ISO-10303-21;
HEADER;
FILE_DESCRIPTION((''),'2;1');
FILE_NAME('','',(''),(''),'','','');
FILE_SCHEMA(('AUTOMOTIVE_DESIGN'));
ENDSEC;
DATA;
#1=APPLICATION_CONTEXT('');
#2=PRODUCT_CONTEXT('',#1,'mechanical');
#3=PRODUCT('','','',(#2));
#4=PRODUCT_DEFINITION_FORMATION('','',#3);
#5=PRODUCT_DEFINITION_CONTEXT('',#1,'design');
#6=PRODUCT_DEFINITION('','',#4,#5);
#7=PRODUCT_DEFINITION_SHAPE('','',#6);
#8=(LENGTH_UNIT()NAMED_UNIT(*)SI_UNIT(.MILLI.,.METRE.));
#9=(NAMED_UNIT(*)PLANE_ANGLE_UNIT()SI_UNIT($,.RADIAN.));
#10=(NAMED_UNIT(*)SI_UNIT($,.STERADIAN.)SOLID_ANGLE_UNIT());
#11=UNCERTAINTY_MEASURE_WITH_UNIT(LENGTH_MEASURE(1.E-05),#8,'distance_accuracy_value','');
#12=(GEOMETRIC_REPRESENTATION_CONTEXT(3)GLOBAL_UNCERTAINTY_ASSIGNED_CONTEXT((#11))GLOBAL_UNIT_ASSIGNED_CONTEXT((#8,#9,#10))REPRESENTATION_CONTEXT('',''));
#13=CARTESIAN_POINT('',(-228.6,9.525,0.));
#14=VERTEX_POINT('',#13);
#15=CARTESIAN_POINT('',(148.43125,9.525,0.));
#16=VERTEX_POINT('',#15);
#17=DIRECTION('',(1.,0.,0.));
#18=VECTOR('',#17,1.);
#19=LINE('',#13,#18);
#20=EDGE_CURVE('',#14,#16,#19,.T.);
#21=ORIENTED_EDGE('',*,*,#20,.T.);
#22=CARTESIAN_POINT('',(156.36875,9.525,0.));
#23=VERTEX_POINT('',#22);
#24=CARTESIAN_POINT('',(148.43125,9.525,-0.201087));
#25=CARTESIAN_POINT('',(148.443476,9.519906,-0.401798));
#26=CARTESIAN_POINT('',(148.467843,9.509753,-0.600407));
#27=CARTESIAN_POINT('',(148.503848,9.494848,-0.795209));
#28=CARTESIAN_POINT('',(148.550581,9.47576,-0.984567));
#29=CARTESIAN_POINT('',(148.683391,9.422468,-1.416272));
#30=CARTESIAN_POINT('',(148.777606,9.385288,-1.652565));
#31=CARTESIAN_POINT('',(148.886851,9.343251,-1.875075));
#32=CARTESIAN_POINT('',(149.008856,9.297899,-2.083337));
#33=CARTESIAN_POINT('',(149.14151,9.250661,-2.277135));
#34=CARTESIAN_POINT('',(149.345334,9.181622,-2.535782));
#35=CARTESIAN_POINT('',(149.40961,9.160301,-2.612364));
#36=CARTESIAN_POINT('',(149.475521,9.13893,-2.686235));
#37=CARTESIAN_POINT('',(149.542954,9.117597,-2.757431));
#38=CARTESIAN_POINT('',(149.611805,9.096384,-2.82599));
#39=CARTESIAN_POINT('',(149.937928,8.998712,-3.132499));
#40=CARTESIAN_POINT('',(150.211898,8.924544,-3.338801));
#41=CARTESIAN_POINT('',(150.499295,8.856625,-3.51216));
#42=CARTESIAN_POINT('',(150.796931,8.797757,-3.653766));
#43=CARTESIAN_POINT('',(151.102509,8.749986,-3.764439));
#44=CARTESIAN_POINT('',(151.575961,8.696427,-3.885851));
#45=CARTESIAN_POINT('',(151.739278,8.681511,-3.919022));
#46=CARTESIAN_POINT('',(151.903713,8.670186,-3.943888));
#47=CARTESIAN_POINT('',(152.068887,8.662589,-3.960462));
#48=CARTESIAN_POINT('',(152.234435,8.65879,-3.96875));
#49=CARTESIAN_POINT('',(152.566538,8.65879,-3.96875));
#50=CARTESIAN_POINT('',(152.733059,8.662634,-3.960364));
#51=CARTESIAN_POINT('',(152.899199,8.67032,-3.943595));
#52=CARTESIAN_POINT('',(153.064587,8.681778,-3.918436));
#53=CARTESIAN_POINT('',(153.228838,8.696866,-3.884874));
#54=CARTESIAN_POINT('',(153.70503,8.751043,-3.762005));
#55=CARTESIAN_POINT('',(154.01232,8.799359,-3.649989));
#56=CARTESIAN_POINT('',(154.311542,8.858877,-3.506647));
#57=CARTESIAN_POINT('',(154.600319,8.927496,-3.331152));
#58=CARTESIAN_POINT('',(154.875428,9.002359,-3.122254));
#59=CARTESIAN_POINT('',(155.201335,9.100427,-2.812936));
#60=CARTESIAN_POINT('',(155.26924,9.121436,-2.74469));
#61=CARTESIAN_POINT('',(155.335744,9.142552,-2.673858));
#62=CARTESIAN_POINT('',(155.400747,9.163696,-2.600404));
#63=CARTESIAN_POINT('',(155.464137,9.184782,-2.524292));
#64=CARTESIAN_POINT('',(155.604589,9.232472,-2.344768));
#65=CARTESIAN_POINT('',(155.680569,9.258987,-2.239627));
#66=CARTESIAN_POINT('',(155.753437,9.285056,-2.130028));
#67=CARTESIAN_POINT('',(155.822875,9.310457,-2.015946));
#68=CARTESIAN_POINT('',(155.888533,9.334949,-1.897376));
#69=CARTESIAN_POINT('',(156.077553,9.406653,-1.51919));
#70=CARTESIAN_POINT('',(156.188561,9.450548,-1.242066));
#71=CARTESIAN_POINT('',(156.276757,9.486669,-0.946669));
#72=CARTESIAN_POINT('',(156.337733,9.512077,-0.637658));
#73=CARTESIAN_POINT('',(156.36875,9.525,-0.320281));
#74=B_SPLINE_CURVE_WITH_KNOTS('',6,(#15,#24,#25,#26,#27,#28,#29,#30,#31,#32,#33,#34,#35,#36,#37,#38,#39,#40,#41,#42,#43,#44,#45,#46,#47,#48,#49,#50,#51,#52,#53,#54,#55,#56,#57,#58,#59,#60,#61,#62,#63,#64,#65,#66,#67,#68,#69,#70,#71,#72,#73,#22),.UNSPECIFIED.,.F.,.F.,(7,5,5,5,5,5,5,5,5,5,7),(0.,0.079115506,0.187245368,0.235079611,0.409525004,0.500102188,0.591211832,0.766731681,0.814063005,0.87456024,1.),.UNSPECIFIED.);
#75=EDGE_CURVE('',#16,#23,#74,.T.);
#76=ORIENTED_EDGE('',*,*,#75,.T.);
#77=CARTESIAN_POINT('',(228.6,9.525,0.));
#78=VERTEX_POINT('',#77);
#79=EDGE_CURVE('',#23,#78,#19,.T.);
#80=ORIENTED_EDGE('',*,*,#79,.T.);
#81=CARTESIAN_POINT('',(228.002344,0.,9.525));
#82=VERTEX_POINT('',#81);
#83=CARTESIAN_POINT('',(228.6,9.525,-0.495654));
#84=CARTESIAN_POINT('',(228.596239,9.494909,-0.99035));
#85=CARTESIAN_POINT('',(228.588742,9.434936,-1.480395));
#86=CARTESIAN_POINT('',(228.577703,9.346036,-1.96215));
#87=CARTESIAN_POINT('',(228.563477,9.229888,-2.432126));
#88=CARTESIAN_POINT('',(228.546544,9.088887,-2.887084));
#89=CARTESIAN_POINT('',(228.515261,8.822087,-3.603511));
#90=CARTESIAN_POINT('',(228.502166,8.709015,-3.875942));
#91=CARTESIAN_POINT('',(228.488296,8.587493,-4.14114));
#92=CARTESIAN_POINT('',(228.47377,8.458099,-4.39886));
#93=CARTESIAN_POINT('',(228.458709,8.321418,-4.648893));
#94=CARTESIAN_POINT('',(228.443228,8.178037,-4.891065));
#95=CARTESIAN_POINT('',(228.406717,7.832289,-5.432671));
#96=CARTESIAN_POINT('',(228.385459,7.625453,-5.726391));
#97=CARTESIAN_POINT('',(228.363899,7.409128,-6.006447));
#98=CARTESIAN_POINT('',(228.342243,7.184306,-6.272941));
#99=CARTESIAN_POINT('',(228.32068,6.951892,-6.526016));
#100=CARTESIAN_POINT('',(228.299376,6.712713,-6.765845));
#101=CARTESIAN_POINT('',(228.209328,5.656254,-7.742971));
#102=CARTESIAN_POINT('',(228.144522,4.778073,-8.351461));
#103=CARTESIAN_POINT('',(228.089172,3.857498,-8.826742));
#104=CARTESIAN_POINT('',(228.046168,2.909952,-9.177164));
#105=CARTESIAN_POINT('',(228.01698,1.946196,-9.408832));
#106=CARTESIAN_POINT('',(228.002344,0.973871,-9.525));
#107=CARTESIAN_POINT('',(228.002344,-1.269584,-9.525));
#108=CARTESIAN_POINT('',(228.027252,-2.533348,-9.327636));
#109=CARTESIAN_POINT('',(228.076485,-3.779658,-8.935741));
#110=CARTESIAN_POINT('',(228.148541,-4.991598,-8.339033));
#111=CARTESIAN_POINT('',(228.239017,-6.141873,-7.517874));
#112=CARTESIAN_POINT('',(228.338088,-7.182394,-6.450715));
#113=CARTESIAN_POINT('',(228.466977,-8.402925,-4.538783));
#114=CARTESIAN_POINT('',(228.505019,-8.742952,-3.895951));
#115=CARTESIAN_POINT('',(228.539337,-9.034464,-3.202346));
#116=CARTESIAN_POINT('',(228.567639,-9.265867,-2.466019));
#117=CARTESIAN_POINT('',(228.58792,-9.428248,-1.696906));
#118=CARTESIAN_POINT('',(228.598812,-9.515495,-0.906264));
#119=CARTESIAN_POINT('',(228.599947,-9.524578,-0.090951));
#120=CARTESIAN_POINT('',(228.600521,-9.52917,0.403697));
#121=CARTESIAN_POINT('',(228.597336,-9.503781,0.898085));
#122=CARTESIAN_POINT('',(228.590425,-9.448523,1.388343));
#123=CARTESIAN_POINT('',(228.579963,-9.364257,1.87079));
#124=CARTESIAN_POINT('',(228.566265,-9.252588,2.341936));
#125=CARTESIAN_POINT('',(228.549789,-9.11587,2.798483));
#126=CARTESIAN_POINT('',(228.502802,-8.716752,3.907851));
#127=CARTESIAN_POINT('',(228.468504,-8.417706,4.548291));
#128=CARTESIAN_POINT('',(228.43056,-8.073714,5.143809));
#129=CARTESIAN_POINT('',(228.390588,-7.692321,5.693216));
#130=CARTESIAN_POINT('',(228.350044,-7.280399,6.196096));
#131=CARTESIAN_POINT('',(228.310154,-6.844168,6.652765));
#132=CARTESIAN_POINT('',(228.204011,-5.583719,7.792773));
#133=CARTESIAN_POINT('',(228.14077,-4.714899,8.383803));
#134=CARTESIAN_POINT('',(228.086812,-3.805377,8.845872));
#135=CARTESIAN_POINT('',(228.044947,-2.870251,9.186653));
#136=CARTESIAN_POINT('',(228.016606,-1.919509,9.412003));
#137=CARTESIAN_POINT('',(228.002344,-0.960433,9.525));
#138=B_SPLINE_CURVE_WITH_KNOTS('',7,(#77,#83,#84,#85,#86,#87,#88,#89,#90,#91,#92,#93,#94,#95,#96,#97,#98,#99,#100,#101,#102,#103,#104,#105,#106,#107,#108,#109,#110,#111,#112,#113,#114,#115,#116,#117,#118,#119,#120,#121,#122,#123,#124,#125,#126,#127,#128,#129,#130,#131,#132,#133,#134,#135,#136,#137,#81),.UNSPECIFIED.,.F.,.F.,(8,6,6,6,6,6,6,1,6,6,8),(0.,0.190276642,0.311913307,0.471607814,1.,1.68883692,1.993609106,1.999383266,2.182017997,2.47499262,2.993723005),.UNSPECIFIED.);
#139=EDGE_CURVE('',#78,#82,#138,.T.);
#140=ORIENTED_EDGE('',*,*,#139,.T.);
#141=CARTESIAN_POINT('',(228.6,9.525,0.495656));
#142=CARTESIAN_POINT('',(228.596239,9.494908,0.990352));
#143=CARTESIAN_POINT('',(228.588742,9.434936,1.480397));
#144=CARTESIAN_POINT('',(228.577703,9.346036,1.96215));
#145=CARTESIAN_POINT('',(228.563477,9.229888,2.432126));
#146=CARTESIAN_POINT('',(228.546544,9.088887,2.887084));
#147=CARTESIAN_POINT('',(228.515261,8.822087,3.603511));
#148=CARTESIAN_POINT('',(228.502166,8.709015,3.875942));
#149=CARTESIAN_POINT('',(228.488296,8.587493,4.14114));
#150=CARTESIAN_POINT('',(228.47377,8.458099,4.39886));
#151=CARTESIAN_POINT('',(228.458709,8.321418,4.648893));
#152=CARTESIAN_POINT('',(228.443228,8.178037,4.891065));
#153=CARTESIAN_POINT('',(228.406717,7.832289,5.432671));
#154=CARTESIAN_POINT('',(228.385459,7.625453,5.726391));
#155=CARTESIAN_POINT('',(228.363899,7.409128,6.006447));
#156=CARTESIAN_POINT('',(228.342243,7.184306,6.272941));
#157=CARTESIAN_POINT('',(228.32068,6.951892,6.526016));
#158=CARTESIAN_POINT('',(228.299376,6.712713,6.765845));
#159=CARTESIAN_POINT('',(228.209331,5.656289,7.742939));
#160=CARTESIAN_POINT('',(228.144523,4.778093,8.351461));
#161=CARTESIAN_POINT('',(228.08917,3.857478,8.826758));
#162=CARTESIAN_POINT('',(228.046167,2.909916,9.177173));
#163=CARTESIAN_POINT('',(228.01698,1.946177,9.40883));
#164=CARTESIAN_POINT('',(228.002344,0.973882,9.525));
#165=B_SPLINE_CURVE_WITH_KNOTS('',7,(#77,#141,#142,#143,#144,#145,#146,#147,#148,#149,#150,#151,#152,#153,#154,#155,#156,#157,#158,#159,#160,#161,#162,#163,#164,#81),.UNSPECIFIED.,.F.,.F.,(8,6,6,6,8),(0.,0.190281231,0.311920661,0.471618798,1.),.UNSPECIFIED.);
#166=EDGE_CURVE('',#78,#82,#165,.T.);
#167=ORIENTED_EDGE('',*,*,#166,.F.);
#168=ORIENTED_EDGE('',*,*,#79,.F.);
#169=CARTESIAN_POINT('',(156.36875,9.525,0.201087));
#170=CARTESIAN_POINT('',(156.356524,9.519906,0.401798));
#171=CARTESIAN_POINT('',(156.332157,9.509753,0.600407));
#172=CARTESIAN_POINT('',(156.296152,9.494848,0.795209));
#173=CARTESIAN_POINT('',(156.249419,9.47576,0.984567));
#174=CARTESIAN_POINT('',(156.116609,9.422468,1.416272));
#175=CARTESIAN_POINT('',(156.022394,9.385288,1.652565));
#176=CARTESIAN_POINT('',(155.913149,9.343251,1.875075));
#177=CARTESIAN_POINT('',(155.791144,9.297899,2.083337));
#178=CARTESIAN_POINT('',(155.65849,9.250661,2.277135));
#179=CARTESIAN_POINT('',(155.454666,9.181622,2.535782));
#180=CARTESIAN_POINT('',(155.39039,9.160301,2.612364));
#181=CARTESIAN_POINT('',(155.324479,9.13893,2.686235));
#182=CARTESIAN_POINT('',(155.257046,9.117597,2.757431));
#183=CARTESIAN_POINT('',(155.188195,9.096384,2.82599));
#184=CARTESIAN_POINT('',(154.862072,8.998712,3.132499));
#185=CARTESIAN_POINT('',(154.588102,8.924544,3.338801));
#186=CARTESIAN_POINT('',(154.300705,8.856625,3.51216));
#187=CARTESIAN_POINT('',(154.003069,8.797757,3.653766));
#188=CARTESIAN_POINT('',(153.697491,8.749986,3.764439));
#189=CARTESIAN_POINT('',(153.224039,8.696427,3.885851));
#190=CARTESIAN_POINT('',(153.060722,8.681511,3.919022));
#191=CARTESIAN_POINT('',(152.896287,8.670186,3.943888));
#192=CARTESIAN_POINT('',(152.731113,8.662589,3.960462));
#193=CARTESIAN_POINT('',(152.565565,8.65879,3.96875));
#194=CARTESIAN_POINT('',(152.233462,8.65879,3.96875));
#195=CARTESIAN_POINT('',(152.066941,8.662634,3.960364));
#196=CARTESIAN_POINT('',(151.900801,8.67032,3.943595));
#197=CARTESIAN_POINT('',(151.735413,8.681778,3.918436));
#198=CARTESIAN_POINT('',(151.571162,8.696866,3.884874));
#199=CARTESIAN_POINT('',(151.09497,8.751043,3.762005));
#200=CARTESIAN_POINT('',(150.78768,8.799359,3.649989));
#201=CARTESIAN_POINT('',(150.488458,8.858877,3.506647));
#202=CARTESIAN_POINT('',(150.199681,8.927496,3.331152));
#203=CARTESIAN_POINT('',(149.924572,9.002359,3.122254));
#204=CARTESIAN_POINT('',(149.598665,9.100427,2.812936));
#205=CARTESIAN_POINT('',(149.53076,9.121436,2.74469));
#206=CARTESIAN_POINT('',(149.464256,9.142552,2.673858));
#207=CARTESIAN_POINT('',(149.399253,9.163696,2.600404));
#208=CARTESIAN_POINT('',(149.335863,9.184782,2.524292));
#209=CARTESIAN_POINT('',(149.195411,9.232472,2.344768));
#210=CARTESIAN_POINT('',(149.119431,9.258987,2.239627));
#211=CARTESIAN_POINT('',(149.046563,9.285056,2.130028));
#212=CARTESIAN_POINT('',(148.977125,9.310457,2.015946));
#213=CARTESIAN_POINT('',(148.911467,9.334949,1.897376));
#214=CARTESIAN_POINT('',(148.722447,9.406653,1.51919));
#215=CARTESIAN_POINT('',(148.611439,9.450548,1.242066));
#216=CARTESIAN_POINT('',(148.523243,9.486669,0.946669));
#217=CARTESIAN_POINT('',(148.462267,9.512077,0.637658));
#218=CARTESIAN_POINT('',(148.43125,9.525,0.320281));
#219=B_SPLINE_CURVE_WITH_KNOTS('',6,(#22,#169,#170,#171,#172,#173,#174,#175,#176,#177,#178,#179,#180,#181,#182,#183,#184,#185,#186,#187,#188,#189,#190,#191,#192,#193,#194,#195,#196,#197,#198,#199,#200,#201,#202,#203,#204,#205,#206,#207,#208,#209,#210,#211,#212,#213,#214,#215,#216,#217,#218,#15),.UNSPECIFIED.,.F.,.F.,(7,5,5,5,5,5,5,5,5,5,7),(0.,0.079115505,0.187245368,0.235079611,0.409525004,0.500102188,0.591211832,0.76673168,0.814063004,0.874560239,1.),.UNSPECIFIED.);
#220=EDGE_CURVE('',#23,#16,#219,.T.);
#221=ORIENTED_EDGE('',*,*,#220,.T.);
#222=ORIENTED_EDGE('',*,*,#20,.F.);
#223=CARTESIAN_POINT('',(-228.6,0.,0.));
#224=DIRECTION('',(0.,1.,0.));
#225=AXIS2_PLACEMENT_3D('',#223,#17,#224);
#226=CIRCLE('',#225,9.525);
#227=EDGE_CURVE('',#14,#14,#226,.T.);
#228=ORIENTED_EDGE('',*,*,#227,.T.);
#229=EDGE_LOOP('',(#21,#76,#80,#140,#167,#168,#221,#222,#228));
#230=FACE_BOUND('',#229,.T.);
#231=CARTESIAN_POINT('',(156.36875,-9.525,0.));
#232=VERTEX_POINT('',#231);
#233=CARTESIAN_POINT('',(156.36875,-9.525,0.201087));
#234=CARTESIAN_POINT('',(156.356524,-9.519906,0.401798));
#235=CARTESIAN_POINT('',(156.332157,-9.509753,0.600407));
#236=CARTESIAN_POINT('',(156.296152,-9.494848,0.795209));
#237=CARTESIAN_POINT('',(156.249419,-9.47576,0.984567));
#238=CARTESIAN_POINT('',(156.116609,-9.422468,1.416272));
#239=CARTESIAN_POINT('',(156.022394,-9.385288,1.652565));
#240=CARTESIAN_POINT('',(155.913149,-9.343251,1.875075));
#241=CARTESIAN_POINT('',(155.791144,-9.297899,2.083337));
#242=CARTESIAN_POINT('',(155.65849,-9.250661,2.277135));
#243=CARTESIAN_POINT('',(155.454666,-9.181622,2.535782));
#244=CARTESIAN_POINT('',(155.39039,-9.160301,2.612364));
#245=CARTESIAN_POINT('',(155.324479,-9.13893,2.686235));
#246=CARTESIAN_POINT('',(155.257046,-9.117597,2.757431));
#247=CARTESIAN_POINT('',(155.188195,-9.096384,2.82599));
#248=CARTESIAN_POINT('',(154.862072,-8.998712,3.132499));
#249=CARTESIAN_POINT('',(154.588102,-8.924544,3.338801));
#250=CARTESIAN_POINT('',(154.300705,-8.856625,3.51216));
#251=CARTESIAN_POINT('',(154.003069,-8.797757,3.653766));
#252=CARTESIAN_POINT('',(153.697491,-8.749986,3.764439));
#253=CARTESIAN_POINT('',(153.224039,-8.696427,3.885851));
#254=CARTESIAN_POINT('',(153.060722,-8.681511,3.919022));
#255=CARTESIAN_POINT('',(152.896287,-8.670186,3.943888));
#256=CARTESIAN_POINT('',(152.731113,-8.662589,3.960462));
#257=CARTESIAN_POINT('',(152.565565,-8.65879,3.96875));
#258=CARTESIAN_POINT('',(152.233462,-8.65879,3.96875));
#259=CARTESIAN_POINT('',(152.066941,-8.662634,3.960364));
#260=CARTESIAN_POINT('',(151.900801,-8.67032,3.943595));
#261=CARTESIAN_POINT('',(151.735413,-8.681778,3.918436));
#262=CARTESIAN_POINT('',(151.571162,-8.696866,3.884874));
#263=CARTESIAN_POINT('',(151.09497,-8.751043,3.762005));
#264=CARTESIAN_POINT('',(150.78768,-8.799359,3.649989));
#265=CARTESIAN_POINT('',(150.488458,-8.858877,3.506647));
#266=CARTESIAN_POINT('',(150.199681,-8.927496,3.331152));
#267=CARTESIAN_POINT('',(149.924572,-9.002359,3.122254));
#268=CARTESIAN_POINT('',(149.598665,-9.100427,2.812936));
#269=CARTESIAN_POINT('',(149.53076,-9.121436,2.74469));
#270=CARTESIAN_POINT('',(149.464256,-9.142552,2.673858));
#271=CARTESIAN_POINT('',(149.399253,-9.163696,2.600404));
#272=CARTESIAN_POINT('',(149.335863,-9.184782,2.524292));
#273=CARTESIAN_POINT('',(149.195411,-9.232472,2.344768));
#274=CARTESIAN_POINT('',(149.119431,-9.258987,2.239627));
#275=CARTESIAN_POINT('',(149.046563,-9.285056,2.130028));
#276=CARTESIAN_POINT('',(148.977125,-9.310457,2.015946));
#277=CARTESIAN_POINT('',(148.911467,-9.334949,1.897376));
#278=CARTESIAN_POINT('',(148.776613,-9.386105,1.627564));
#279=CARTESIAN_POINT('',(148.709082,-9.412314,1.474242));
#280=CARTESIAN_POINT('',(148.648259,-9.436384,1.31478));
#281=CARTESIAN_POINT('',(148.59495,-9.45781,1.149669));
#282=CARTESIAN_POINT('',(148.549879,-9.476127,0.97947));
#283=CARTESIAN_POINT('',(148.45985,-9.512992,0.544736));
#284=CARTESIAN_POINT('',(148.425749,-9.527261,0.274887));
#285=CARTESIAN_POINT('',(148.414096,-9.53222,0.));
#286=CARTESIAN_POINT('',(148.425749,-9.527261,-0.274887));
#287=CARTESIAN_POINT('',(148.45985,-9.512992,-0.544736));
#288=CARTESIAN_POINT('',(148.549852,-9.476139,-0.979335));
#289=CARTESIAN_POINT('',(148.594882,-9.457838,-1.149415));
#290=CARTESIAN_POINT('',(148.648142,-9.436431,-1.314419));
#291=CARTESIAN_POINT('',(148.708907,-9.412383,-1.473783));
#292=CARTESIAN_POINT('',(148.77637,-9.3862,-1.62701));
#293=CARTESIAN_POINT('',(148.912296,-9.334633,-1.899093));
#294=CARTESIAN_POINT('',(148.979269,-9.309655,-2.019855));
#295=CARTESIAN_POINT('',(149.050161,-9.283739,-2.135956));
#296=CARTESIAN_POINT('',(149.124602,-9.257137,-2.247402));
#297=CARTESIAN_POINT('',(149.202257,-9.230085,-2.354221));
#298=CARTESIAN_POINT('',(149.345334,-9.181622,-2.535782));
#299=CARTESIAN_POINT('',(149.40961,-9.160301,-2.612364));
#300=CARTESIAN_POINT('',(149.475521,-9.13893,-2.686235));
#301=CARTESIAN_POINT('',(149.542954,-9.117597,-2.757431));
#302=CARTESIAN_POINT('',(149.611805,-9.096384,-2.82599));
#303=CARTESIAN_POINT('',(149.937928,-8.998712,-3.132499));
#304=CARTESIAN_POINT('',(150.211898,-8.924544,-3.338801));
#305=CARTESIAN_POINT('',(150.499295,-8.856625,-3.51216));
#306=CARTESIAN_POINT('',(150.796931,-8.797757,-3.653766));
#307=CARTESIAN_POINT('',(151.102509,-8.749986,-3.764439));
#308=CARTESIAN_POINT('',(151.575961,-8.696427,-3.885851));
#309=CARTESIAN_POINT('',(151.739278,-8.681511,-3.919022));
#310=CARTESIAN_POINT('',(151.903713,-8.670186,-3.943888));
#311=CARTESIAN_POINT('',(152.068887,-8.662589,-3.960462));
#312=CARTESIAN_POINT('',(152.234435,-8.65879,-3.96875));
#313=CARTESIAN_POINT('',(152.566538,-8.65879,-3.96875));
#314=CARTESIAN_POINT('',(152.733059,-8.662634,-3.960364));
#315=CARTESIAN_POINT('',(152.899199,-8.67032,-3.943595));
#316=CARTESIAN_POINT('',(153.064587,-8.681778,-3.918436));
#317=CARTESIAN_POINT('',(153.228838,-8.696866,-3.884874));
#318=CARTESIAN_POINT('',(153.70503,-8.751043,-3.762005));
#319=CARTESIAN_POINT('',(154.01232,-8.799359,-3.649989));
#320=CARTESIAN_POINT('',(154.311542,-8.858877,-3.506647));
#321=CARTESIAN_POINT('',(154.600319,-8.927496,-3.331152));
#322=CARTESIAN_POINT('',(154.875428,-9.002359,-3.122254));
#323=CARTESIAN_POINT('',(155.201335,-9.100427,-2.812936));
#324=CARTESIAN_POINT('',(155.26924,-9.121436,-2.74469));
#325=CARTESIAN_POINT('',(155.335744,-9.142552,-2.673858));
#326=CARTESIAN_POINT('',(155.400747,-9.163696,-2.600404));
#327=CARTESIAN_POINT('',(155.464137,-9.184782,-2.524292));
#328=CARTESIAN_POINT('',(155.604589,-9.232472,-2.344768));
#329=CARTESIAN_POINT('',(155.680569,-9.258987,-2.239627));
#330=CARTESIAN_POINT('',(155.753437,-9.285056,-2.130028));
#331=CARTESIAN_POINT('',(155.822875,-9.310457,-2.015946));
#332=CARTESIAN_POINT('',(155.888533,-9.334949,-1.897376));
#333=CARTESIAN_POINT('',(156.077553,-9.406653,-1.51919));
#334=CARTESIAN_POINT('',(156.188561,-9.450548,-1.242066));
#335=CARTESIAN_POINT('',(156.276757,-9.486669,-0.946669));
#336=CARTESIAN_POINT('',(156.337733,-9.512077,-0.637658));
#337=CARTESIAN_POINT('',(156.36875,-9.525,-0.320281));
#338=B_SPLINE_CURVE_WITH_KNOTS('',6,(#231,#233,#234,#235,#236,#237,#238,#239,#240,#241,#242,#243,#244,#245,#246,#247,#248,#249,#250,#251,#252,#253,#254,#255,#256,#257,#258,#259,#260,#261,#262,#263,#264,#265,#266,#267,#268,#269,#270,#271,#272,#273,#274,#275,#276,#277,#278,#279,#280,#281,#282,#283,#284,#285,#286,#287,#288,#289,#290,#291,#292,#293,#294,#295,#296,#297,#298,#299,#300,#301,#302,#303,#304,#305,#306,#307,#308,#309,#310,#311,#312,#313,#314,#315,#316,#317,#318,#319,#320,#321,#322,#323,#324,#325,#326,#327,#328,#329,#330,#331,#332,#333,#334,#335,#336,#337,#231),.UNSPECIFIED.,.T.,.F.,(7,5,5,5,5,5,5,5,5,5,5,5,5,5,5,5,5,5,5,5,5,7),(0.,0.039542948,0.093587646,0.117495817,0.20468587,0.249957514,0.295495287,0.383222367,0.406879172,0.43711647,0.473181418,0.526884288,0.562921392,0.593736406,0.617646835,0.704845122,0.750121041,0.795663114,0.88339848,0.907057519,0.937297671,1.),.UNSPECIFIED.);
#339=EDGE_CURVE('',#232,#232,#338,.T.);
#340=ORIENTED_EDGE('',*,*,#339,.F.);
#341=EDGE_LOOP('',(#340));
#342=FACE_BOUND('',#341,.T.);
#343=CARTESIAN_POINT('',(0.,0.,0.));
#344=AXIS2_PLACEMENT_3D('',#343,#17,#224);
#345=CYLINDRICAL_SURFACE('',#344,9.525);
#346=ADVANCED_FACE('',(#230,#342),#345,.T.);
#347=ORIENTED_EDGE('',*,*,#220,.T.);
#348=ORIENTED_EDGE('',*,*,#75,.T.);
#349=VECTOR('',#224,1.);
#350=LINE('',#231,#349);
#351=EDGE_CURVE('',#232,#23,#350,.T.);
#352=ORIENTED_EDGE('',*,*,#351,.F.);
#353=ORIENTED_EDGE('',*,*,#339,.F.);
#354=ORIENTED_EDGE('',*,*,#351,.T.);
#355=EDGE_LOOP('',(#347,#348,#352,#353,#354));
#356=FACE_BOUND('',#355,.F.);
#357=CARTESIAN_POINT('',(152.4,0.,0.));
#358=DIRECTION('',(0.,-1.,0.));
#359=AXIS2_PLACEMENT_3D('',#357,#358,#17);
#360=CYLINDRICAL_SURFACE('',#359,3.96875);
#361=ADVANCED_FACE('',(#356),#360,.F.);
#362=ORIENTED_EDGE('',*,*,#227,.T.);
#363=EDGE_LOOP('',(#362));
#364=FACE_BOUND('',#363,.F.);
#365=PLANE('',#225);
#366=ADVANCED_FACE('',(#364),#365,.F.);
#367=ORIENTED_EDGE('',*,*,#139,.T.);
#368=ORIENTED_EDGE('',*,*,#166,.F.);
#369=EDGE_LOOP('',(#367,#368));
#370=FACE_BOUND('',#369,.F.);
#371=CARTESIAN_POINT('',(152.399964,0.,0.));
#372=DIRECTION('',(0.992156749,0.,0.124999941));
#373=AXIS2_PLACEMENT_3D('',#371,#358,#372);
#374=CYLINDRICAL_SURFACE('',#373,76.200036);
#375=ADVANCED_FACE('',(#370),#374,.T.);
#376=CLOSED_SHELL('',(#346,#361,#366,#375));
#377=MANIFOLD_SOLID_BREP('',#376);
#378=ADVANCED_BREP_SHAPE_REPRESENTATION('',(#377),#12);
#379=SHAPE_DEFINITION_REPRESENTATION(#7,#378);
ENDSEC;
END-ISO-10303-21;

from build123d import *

# Parameters (mm, degrees)
F0_R     = 9.525
F1_DEPTH = 228.6
F2_R     = 3.96875
F3_DEPTH = 12.7


with BuildPart() as f1:
    # F0 (on Right) → F1 (new body, symmetric)
    with BuildSketch(Plane.YZ):
        Circle(F0_R)
    extrude(amount=F1_DEPTH, both=True)

    # F2 (on Front) → F3 (cut, symmetric)
    with BuildSketch(Plane.XZ):
        with Locations((152.4, 0)):
            Circle(F2_R)
        with BuildLine():
            ThreePointArc((228.002344, 9.525), (228.6, 0), (228.002344, -9.525))
            Line((228.002344, -9.525), (235.251516, -9.525))
            Line((235.251516, -9.525), (235.251516, 9.525))
            Line((235.251516, 9.525), (228.002344, 9.525))
        make_face()
    extrude(amount=F3_DEPTH, both=True, mode=Mode.SUBTRACT)


solid = f1.part
